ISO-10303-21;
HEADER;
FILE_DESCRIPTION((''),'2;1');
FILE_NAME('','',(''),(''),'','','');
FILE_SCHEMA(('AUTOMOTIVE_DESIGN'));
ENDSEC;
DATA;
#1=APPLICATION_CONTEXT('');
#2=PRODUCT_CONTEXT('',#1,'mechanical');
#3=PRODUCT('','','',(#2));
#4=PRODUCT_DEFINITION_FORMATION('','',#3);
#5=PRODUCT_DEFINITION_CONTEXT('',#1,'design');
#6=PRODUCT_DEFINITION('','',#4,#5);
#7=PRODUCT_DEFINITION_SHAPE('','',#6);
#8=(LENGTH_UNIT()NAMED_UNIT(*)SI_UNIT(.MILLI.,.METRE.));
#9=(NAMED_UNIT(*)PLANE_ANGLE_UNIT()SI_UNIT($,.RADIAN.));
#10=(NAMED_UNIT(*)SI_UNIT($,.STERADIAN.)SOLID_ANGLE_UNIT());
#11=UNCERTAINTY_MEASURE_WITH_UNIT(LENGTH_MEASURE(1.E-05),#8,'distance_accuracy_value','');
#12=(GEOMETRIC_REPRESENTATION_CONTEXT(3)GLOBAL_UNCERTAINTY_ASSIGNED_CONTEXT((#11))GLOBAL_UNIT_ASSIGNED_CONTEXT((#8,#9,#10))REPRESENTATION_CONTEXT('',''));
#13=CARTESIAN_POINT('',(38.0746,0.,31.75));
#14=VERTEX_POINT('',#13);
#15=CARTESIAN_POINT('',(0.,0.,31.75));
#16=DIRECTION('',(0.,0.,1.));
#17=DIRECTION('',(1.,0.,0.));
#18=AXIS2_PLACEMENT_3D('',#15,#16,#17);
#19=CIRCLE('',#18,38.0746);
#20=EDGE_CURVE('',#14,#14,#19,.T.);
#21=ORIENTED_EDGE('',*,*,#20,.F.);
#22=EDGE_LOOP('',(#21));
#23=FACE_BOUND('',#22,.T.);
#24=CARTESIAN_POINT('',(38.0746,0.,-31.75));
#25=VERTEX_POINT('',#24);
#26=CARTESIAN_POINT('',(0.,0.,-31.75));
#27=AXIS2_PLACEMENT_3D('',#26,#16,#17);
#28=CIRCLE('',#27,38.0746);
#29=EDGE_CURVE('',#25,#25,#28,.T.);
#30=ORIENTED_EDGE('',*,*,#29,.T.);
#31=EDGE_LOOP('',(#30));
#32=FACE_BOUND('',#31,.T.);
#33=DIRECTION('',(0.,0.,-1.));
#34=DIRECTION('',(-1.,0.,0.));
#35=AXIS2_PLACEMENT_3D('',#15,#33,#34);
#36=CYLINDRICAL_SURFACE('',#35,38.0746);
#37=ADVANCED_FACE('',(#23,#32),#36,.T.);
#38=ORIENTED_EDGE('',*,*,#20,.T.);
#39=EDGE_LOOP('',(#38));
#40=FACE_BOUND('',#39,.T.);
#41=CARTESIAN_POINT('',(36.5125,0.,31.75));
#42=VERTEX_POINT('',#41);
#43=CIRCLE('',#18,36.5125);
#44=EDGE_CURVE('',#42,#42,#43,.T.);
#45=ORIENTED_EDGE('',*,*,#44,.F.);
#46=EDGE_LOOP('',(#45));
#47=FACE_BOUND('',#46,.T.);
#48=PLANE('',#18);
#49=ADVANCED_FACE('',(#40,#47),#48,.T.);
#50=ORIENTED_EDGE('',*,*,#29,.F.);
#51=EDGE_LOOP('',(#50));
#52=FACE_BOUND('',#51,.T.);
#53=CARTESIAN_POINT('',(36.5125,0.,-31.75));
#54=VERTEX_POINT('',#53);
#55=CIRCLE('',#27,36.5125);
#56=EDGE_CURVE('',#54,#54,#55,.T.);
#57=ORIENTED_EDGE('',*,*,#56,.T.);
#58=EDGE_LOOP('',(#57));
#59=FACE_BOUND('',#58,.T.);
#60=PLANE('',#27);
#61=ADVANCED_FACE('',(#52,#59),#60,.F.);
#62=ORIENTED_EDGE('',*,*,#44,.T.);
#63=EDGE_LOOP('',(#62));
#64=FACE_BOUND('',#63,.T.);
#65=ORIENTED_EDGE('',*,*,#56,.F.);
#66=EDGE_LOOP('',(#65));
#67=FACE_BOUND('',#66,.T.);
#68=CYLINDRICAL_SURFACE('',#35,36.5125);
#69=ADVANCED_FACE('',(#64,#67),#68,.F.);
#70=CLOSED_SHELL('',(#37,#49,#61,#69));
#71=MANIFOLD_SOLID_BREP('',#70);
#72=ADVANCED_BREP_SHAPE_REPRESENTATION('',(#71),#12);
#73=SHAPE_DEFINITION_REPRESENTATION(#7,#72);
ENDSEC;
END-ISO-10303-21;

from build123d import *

# Parameters (mm, degrees)
SKETCH1_R           = 38.0746
SKETCH1_R_2         = 36.5125
BOSS_EXTRUDE1_DEPTH = 31.75


with BuildPart() as part:
    # Sketch1 → Boss-Extrude1 (new body, symmetric)
    with BuildSketch(Plane.XY):
        Circle(SKETCH1_R)
        Circle(SKETCH1_R_2, mode=Mode.SUBTRACT)
    extrude(amount=BOSS_EXTRUDE1_DEPTH, both=True)


solid = part.part
